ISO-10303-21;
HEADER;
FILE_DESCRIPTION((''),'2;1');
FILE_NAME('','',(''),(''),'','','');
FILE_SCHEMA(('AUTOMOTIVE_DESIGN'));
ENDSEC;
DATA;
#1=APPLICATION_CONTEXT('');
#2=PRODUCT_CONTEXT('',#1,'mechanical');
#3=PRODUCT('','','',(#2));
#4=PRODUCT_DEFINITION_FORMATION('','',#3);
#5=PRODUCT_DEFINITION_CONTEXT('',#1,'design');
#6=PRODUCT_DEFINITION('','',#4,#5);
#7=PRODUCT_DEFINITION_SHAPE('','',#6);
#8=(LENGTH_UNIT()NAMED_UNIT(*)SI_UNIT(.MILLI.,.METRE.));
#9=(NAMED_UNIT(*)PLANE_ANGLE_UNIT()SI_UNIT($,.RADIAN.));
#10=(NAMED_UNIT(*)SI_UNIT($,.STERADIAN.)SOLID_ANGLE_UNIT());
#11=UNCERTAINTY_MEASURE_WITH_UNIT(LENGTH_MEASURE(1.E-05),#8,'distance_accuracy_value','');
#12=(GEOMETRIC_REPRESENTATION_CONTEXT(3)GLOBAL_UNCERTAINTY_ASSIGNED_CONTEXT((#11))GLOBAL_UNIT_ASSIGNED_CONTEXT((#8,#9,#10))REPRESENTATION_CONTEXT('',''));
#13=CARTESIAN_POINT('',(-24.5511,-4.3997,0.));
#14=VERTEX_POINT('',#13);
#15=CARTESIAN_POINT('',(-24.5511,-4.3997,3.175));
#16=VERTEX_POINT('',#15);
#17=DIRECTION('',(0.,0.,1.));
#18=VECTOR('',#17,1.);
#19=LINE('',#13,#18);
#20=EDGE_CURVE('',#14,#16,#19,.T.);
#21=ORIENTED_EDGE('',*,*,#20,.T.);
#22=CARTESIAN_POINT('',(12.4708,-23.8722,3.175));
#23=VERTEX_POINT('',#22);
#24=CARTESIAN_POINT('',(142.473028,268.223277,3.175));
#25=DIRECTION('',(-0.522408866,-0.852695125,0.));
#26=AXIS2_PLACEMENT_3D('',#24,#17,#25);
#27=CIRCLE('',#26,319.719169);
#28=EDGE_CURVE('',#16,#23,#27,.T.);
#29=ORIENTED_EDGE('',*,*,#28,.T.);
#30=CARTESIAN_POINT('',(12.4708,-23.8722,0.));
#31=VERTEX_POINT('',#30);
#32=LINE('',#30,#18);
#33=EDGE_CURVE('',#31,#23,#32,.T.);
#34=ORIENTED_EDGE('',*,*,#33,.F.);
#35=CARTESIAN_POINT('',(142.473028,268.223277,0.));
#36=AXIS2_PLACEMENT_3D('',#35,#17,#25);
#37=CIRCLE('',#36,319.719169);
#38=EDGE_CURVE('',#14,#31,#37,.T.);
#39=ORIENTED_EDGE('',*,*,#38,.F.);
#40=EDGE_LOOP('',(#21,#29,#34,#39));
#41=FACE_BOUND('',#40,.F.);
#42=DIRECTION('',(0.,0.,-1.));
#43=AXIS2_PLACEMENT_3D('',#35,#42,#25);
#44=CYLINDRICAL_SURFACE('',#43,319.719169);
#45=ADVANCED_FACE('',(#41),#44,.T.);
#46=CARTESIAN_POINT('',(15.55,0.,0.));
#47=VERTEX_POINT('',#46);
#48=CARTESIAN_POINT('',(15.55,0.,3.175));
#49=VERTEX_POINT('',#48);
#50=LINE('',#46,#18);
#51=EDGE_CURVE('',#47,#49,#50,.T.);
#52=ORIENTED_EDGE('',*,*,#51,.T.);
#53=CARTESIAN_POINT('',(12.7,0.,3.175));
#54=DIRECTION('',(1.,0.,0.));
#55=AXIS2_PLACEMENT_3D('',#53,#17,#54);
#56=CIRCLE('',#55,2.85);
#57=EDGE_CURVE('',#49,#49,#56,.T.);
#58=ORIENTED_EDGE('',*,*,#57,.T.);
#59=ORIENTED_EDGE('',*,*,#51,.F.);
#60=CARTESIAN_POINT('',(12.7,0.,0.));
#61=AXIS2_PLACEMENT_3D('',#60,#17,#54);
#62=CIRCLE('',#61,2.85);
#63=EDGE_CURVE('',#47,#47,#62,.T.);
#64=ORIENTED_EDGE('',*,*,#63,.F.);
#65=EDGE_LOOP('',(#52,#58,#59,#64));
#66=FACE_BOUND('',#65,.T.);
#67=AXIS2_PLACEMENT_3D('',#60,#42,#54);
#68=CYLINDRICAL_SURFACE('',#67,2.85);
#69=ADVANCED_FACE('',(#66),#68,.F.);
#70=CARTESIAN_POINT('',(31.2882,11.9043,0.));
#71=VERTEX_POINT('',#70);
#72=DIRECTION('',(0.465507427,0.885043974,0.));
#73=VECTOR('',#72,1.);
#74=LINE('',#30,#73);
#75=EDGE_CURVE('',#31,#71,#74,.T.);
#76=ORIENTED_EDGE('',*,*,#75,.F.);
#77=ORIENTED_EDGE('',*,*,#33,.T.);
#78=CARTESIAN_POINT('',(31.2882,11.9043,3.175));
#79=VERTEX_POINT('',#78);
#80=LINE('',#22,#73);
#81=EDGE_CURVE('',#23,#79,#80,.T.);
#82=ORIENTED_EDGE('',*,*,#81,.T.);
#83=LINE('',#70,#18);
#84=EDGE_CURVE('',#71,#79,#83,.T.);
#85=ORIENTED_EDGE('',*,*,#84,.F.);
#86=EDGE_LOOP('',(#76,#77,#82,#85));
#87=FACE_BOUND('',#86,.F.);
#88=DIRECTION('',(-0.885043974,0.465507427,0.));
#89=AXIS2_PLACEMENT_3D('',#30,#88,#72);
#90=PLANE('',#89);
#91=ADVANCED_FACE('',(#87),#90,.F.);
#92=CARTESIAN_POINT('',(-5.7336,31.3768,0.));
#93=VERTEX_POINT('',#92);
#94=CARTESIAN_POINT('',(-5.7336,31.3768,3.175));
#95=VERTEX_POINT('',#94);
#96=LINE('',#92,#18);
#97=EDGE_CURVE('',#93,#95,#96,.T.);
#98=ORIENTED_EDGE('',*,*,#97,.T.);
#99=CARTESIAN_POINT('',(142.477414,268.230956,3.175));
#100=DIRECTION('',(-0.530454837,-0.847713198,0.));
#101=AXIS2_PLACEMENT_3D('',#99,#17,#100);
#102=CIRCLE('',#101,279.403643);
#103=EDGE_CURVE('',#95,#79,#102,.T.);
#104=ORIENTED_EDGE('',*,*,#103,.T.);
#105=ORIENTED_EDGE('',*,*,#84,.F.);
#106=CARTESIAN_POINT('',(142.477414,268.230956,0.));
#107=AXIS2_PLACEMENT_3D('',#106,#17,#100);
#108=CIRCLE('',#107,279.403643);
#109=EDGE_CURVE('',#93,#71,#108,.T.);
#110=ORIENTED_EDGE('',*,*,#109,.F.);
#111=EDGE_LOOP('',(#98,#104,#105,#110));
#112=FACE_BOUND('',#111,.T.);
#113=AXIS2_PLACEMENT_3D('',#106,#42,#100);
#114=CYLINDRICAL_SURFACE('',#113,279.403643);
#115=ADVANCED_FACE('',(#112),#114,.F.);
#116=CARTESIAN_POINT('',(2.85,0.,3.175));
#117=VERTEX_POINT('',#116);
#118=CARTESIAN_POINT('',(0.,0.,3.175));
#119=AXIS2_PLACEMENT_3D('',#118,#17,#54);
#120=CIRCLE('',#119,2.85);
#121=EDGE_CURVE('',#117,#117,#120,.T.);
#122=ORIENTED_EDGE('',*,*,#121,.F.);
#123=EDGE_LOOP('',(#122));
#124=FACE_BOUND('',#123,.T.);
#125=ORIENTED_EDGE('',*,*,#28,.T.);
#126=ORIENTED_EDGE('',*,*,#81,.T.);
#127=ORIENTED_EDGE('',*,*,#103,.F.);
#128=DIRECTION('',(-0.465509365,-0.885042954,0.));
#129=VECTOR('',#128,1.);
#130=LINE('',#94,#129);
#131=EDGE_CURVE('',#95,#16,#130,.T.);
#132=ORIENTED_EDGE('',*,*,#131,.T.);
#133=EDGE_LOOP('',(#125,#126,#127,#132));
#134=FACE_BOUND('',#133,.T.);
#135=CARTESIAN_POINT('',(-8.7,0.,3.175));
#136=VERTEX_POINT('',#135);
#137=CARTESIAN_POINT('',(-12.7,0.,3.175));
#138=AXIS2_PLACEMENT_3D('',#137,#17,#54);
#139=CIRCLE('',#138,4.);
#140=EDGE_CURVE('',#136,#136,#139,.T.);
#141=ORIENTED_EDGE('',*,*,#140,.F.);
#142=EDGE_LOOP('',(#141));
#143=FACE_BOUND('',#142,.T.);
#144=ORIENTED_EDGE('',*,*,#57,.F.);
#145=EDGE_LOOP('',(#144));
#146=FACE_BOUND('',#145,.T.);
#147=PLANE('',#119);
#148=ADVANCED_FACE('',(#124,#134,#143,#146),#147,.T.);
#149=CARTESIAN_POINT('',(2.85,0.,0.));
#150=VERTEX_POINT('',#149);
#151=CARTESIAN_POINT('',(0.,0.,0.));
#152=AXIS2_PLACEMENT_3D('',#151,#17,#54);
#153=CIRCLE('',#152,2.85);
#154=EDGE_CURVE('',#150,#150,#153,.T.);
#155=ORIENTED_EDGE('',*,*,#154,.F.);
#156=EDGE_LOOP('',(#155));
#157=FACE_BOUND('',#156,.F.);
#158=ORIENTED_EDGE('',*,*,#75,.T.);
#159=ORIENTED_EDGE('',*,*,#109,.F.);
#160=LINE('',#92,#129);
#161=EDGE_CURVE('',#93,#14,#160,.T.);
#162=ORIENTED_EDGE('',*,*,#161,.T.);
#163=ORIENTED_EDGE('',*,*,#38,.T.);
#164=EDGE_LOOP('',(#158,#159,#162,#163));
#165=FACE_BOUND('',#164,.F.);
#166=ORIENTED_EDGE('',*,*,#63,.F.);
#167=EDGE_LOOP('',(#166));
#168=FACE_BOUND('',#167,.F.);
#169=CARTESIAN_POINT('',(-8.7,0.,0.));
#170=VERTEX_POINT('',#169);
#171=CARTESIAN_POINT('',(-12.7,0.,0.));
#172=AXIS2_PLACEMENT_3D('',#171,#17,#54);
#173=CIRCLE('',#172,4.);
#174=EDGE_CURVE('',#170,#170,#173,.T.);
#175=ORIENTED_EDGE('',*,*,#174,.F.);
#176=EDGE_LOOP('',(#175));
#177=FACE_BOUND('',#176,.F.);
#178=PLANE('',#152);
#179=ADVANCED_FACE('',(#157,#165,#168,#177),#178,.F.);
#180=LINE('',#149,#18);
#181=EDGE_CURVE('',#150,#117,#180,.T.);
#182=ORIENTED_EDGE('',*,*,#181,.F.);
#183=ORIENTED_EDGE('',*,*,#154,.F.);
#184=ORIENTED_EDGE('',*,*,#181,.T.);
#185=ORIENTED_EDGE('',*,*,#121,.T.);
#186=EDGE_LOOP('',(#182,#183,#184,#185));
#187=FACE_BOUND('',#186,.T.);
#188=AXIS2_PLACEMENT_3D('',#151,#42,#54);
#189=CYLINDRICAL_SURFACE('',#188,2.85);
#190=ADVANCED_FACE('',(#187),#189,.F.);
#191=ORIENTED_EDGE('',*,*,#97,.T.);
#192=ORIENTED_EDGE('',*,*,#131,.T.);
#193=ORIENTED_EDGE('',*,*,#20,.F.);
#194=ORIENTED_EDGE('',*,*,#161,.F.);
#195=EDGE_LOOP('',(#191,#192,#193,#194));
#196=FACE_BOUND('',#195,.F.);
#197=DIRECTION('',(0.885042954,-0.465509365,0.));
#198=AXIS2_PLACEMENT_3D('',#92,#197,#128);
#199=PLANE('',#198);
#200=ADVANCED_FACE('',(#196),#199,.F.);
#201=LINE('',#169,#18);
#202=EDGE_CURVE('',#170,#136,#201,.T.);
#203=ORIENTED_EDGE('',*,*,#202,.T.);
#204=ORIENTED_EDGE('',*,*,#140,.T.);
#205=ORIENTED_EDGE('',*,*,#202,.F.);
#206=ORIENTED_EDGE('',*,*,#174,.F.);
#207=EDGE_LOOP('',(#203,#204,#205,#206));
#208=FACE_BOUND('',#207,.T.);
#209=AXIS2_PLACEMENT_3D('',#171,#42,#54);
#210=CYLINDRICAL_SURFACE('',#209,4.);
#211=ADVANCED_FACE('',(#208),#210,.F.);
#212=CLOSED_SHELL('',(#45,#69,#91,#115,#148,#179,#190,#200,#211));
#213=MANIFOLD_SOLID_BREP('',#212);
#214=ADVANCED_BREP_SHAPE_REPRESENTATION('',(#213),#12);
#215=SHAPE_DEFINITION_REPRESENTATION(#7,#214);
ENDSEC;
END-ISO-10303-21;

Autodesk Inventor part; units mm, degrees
ref_plane "YZ Plane" through (0, 0, 0) normal (1, 0, 0) x (0, 1, 0)
ref_plane "XZ Plane" through (0, 0, 0) normal (0, 1, 0) x (-1, 0, 0)
ref_plane "XY Plane" through (0, 0, 0) normal (0, 0, 1) x (1, 0, 0)
sketch "Sketch1" plane through (0, 0, 0) normal (0, 0, 1) x (1, 0, 0)
  arc A0 (-24.5511, -4.3997) -> (12.4708, -23.8722) centre (142.4756, 268.2278) ccw
  line L0 (12.4708, -23.8722) -> (31.2882, 11.9043)
  arc A1 (-5.7336, 31.3768) -> (31.2882, 11.9043) centre (142.4756, 268.2278) ccw
  line L1 (-5.7336, 31.3768) -> (-24.5511, -4.3997)
  circle A2 centre (-12.7, 0) radius 4
  circle A3 centre (12.7, 0) radius 2.85
  circle A4 centre (0, 0) radius 2.85
  line L2 (-12.7, 0) -> (12.7, 0) construction
  dimension "d0" = 279.4
  dimension "d1" = 319.7243
  dimension "d2" = 25.4
  dimension "d3" = 40.4234
  dimension "d4" = 40.4234
  dimension "d8" = 31.3768
  dimension "d9" = 4.3997
  dimension "d10" = 18.5882
  dimension "d14" = 5.7
  dimension "d15" = 8
extrude "Extrusion1" add sketch "Sketch1" along normal blind 3.175
properties part number "V5 Shooter Conveyor Spacer 1" material "Aluminum-6061"
